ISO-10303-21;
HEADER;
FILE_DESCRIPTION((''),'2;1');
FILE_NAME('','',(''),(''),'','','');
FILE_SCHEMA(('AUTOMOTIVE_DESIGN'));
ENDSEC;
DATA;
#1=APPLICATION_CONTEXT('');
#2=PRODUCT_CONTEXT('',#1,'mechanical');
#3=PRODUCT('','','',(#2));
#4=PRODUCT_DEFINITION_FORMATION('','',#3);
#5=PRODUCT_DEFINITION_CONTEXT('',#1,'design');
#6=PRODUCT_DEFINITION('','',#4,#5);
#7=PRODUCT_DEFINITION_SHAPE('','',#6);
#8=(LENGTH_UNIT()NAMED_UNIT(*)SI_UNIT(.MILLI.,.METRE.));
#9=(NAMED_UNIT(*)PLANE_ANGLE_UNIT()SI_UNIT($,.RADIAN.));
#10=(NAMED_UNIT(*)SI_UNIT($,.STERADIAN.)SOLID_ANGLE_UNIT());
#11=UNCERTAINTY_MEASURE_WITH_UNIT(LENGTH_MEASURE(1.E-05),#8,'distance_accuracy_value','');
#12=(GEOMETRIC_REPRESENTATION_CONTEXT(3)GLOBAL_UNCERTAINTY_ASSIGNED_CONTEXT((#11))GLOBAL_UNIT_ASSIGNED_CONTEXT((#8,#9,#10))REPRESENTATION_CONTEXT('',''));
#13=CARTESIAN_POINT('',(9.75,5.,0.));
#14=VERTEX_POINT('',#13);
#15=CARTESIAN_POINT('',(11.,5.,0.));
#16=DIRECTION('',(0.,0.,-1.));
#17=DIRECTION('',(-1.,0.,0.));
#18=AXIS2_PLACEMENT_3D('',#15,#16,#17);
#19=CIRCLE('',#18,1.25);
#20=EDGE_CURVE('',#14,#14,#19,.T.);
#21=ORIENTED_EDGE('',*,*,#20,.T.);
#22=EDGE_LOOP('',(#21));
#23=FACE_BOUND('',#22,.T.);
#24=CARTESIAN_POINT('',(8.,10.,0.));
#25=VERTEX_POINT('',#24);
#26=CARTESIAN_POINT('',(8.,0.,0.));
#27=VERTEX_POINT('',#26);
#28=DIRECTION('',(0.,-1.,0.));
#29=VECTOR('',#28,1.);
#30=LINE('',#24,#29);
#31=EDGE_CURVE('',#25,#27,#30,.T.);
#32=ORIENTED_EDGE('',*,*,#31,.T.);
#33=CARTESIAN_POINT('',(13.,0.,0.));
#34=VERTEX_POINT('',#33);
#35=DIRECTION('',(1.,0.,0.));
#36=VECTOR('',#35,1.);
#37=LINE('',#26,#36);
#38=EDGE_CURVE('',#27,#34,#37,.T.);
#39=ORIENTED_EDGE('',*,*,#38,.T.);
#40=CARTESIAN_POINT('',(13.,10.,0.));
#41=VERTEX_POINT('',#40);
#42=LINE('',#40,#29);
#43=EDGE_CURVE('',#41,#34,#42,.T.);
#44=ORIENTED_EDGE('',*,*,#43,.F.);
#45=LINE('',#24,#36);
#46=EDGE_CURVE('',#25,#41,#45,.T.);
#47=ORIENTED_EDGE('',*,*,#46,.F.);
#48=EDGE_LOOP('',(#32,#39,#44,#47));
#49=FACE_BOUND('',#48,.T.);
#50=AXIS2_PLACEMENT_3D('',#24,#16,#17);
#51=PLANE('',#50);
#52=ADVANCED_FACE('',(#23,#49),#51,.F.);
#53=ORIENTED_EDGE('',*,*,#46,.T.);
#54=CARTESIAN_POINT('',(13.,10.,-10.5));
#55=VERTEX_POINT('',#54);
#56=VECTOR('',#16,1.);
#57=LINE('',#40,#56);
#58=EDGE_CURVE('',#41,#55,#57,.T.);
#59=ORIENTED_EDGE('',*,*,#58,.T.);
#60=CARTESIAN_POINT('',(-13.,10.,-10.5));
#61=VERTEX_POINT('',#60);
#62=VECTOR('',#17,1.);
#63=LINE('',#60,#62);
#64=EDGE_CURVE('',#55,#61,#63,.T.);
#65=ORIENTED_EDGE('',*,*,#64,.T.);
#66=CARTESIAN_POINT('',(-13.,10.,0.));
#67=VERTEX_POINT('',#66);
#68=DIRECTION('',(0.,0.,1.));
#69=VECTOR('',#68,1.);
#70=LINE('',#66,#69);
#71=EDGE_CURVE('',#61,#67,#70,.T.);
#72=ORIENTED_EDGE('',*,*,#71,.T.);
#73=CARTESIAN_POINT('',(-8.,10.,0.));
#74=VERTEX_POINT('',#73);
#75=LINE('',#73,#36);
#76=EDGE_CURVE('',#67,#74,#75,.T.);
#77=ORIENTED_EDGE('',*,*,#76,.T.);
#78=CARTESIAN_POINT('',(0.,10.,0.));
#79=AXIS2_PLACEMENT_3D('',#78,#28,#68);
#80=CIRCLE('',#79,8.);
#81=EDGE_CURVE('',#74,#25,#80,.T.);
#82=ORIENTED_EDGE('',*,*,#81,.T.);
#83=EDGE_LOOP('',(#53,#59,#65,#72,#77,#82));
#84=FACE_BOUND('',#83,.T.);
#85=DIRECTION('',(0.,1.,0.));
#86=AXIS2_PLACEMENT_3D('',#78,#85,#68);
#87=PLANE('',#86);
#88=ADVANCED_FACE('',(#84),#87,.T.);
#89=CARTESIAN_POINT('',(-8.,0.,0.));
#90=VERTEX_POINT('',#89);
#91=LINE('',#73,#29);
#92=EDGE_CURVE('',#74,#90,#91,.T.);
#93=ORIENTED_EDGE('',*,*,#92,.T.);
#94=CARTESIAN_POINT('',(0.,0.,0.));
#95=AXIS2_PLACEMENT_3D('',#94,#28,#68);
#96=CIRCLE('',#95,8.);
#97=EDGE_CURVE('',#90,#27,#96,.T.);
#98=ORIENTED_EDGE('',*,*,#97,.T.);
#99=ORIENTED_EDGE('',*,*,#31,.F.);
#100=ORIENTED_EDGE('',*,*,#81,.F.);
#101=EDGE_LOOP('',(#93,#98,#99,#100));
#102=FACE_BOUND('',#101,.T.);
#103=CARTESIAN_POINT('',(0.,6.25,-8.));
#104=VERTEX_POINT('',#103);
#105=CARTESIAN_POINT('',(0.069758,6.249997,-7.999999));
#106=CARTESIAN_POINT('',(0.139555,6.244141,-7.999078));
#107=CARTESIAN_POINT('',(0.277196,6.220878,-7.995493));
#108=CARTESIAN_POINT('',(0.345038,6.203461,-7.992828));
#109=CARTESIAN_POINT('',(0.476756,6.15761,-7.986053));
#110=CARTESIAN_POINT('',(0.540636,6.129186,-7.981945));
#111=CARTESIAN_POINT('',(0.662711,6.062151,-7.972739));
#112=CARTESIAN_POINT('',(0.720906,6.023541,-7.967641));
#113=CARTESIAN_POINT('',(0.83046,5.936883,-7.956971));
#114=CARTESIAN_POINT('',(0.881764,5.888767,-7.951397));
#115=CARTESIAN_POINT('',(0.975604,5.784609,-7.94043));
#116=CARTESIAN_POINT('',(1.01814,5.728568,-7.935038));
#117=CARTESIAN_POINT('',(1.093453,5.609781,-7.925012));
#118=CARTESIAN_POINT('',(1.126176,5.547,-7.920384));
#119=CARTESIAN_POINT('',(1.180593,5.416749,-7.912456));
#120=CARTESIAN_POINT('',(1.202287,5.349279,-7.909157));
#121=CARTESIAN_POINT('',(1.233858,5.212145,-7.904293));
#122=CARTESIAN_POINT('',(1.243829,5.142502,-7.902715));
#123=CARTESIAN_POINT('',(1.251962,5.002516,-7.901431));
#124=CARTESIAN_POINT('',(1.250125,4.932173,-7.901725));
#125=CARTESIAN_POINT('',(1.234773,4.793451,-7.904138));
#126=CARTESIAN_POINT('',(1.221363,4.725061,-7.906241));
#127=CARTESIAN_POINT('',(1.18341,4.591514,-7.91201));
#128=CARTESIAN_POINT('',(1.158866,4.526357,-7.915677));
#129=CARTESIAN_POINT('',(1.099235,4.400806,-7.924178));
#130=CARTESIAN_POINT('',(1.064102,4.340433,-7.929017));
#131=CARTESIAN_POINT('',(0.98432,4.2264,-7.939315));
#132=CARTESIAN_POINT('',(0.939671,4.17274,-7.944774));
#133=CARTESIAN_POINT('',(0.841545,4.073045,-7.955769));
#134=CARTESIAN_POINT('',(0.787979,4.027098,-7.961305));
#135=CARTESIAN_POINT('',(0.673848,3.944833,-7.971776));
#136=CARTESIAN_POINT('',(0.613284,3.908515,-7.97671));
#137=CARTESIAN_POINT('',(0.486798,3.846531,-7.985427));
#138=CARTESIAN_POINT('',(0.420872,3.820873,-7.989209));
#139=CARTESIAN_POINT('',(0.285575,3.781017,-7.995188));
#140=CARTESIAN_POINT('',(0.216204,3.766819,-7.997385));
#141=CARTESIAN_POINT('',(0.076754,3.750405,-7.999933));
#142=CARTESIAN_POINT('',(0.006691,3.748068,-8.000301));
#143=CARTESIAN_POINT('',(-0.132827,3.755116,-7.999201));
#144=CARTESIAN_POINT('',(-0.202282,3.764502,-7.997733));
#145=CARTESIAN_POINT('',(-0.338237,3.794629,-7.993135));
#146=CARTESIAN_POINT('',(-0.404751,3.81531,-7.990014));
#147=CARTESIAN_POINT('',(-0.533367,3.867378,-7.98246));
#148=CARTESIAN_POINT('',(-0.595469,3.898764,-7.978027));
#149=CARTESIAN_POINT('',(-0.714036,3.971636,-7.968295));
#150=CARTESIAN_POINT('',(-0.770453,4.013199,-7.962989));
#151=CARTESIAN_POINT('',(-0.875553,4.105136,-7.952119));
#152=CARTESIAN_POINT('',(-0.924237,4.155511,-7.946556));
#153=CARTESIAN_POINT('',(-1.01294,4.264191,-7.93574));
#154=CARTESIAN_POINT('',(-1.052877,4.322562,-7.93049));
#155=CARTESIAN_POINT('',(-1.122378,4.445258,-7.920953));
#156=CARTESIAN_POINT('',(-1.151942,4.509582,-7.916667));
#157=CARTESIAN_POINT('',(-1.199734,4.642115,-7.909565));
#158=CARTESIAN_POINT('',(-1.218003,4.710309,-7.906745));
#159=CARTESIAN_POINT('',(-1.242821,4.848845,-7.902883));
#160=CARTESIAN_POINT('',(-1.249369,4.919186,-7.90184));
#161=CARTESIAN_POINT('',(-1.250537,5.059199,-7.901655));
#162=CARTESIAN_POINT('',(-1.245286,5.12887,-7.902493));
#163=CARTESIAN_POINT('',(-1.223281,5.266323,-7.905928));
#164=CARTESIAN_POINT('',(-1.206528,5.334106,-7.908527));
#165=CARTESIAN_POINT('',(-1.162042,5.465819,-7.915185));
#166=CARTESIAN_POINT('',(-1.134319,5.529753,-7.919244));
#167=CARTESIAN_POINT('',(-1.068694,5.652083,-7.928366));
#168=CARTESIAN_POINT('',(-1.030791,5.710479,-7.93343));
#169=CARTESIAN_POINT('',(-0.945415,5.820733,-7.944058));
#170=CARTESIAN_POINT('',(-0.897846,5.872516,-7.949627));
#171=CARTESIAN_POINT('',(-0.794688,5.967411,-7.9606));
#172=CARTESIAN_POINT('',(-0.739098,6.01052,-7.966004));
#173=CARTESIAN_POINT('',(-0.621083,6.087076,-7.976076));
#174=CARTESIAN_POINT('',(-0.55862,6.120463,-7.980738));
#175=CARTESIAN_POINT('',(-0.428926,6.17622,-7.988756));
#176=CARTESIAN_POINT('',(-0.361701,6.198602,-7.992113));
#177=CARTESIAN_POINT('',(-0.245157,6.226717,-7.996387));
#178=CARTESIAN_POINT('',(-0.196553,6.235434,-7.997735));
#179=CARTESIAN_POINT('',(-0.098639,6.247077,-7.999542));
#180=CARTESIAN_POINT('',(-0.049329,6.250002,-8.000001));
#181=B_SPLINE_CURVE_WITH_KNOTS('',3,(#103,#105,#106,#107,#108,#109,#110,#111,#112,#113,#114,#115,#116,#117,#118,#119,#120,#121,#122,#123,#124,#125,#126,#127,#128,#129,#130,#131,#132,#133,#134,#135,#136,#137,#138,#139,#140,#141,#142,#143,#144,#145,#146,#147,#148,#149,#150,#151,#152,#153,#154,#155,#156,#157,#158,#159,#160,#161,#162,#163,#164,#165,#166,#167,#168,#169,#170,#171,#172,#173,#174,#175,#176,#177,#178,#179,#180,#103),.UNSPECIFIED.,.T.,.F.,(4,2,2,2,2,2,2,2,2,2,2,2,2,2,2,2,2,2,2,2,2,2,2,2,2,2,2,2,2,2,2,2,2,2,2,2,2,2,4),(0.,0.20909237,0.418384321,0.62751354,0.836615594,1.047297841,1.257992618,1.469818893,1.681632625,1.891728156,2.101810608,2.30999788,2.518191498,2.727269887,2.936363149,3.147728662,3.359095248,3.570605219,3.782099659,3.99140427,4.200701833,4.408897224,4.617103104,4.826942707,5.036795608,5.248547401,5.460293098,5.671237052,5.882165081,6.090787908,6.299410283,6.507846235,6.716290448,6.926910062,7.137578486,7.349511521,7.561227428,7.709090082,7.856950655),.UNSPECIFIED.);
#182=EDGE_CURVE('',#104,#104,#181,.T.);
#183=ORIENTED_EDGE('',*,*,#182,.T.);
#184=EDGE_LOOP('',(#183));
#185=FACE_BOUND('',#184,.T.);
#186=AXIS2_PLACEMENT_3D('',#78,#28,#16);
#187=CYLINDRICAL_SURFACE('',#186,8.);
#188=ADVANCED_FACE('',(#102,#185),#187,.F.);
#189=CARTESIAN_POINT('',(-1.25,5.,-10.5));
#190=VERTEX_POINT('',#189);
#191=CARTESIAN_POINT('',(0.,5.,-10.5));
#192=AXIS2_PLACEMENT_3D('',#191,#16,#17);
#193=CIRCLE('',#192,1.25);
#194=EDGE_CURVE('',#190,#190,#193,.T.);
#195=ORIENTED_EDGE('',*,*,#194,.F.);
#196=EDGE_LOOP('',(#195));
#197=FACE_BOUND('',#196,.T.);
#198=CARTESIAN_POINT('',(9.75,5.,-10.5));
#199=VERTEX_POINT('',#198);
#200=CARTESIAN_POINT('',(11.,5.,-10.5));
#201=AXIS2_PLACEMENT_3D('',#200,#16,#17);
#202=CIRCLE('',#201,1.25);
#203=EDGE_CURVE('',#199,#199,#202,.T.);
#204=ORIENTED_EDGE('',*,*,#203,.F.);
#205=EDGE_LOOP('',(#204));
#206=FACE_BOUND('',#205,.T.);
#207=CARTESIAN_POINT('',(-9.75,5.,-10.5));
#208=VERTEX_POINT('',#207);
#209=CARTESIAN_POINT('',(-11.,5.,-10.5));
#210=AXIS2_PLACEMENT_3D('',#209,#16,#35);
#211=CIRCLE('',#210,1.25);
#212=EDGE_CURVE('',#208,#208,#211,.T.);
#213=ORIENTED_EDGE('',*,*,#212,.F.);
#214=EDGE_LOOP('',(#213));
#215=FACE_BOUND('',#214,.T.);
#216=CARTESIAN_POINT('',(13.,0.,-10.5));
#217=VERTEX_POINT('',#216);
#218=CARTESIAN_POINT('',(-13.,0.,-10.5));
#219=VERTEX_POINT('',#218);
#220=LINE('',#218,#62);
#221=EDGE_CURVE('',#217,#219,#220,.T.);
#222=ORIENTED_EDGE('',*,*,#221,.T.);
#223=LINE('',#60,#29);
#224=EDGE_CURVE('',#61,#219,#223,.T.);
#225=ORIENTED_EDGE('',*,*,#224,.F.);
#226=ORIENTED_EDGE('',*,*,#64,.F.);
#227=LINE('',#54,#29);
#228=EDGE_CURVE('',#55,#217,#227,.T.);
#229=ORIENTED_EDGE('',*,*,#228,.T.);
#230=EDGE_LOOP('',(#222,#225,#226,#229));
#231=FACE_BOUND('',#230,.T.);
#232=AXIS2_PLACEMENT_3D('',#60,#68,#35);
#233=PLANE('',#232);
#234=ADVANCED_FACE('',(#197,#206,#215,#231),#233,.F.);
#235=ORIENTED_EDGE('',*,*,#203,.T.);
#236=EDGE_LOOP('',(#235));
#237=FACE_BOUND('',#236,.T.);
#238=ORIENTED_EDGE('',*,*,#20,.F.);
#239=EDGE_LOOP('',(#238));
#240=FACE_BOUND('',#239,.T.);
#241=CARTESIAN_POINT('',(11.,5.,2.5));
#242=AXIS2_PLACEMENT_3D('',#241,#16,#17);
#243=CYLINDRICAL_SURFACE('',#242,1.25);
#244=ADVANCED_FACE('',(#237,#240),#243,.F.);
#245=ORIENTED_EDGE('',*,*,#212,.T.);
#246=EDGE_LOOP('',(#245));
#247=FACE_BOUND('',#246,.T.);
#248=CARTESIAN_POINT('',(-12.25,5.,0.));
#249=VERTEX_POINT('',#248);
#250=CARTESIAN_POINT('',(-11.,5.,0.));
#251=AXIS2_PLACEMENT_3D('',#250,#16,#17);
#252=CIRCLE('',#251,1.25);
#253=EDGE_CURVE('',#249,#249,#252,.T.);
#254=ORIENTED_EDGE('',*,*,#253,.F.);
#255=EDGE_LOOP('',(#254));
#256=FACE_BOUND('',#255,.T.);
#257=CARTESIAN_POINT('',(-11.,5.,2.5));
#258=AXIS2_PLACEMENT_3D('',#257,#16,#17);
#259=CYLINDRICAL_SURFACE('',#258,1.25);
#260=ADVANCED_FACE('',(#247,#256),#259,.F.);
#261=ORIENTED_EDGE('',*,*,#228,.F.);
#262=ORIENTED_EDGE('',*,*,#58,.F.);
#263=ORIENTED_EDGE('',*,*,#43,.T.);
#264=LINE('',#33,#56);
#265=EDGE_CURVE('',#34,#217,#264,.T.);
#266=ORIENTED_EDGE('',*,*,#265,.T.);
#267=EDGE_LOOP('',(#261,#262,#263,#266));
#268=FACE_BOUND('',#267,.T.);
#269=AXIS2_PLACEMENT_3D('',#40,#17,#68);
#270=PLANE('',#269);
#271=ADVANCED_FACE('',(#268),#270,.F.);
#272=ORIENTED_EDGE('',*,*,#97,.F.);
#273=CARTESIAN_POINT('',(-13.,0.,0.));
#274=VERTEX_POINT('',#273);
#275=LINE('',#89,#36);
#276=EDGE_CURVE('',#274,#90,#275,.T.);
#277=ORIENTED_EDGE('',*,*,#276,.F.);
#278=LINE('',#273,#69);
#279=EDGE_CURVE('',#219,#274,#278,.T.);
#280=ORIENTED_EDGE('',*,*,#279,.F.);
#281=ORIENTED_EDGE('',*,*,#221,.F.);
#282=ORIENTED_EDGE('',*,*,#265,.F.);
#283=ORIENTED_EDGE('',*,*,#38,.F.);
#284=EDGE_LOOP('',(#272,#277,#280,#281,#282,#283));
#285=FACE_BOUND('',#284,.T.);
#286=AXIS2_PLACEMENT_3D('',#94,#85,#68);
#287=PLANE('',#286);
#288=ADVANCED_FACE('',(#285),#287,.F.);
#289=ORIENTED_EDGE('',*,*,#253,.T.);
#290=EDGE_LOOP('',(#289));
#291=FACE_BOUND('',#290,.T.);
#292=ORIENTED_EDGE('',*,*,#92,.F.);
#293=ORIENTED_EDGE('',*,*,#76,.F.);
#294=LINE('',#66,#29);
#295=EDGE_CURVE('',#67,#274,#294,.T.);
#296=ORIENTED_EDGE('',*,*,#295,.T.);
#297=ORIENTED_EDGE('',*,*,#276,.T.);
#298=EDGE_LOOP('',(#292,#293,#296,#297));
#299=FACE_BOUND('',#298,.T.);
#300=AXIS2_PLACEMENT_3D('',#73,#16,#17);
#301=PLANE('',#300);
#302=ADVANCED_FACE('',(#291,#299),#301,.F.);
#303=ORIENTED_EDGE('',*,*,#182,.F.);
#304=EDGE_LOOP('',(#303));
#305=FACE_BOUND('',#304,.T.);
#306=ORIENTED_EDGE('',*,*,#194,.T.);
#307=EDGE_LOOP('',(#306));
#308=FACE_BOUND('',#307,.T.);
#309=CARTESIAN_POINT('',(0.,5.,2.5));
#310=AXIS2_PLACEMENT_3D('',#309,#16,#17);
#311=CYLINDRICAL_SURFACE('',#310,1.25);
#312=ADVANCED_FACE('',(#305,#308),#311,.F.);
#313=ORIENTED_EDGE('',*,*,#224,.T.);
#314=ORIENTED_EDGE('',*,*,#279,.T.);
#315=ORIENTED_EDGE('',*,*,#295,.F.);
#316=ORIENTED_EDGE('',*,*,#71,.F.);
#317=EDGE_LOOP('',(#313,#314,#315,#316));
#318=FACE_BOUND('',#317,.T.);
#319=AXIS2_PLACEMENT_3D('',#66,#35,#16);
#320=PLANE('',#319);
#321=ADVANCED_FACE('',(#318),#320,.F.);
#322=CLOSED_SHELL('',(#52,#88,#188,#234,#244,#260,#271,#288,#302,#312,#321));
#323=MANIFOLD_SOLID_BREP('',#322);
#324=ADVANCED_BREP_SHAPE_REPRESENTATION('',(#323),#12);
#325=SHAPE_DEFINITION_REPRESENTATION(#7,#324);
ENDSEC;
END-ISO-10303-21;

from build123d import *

# Parameters (mm, degrees)
EXTRUDE_1_DEPTH     = 10
SKETCH_2_R          = 1.25
CUT_EXTRUDE_2_DEPTH = 13


with BuildPart() as part:
    # 草图1 → 凸台-拉伸1 (new body)
    with BuildSketch(Plane(origin=(0, 0, 0), x_dir=(1, 0, 0), z_dir=(0, 1, 0))):
        with BuildLine():
            Line((8, 0), (13, 0))
            Line((13, 0), (13, 10.5))
            Line((13, 10.5), (-13, 10.5))
            Line((-13, 10.5), (-13, 0))
            Line((-13, 0), (-8, 0))
            ThreePointArc((-8, 0), (0, 8), (8, 0))
        make_face()
    extrude(amount=EXTRUDE_1_DEPTH)

    # 草图2 → 切除-拉伸2 (cut)
    with BuildSketch(Plane(origin=(0, 0, -10.5), x_dir=(-1, 0, 0), z_dir=(0, 0, -1))):
        with Locations((-11, 5)):
            Circle(SKETCH_2_R)
        with Locations((0, 5)):
            Circle(SKETCH_2_R)
        with Locations((11, 5)):
            Circle(SKETCH_2_R)
    extrude(amount=-CUT_EXTRUDE_2_DEPTH, mode=Mode.SUBTRACT)


solid = part.part
